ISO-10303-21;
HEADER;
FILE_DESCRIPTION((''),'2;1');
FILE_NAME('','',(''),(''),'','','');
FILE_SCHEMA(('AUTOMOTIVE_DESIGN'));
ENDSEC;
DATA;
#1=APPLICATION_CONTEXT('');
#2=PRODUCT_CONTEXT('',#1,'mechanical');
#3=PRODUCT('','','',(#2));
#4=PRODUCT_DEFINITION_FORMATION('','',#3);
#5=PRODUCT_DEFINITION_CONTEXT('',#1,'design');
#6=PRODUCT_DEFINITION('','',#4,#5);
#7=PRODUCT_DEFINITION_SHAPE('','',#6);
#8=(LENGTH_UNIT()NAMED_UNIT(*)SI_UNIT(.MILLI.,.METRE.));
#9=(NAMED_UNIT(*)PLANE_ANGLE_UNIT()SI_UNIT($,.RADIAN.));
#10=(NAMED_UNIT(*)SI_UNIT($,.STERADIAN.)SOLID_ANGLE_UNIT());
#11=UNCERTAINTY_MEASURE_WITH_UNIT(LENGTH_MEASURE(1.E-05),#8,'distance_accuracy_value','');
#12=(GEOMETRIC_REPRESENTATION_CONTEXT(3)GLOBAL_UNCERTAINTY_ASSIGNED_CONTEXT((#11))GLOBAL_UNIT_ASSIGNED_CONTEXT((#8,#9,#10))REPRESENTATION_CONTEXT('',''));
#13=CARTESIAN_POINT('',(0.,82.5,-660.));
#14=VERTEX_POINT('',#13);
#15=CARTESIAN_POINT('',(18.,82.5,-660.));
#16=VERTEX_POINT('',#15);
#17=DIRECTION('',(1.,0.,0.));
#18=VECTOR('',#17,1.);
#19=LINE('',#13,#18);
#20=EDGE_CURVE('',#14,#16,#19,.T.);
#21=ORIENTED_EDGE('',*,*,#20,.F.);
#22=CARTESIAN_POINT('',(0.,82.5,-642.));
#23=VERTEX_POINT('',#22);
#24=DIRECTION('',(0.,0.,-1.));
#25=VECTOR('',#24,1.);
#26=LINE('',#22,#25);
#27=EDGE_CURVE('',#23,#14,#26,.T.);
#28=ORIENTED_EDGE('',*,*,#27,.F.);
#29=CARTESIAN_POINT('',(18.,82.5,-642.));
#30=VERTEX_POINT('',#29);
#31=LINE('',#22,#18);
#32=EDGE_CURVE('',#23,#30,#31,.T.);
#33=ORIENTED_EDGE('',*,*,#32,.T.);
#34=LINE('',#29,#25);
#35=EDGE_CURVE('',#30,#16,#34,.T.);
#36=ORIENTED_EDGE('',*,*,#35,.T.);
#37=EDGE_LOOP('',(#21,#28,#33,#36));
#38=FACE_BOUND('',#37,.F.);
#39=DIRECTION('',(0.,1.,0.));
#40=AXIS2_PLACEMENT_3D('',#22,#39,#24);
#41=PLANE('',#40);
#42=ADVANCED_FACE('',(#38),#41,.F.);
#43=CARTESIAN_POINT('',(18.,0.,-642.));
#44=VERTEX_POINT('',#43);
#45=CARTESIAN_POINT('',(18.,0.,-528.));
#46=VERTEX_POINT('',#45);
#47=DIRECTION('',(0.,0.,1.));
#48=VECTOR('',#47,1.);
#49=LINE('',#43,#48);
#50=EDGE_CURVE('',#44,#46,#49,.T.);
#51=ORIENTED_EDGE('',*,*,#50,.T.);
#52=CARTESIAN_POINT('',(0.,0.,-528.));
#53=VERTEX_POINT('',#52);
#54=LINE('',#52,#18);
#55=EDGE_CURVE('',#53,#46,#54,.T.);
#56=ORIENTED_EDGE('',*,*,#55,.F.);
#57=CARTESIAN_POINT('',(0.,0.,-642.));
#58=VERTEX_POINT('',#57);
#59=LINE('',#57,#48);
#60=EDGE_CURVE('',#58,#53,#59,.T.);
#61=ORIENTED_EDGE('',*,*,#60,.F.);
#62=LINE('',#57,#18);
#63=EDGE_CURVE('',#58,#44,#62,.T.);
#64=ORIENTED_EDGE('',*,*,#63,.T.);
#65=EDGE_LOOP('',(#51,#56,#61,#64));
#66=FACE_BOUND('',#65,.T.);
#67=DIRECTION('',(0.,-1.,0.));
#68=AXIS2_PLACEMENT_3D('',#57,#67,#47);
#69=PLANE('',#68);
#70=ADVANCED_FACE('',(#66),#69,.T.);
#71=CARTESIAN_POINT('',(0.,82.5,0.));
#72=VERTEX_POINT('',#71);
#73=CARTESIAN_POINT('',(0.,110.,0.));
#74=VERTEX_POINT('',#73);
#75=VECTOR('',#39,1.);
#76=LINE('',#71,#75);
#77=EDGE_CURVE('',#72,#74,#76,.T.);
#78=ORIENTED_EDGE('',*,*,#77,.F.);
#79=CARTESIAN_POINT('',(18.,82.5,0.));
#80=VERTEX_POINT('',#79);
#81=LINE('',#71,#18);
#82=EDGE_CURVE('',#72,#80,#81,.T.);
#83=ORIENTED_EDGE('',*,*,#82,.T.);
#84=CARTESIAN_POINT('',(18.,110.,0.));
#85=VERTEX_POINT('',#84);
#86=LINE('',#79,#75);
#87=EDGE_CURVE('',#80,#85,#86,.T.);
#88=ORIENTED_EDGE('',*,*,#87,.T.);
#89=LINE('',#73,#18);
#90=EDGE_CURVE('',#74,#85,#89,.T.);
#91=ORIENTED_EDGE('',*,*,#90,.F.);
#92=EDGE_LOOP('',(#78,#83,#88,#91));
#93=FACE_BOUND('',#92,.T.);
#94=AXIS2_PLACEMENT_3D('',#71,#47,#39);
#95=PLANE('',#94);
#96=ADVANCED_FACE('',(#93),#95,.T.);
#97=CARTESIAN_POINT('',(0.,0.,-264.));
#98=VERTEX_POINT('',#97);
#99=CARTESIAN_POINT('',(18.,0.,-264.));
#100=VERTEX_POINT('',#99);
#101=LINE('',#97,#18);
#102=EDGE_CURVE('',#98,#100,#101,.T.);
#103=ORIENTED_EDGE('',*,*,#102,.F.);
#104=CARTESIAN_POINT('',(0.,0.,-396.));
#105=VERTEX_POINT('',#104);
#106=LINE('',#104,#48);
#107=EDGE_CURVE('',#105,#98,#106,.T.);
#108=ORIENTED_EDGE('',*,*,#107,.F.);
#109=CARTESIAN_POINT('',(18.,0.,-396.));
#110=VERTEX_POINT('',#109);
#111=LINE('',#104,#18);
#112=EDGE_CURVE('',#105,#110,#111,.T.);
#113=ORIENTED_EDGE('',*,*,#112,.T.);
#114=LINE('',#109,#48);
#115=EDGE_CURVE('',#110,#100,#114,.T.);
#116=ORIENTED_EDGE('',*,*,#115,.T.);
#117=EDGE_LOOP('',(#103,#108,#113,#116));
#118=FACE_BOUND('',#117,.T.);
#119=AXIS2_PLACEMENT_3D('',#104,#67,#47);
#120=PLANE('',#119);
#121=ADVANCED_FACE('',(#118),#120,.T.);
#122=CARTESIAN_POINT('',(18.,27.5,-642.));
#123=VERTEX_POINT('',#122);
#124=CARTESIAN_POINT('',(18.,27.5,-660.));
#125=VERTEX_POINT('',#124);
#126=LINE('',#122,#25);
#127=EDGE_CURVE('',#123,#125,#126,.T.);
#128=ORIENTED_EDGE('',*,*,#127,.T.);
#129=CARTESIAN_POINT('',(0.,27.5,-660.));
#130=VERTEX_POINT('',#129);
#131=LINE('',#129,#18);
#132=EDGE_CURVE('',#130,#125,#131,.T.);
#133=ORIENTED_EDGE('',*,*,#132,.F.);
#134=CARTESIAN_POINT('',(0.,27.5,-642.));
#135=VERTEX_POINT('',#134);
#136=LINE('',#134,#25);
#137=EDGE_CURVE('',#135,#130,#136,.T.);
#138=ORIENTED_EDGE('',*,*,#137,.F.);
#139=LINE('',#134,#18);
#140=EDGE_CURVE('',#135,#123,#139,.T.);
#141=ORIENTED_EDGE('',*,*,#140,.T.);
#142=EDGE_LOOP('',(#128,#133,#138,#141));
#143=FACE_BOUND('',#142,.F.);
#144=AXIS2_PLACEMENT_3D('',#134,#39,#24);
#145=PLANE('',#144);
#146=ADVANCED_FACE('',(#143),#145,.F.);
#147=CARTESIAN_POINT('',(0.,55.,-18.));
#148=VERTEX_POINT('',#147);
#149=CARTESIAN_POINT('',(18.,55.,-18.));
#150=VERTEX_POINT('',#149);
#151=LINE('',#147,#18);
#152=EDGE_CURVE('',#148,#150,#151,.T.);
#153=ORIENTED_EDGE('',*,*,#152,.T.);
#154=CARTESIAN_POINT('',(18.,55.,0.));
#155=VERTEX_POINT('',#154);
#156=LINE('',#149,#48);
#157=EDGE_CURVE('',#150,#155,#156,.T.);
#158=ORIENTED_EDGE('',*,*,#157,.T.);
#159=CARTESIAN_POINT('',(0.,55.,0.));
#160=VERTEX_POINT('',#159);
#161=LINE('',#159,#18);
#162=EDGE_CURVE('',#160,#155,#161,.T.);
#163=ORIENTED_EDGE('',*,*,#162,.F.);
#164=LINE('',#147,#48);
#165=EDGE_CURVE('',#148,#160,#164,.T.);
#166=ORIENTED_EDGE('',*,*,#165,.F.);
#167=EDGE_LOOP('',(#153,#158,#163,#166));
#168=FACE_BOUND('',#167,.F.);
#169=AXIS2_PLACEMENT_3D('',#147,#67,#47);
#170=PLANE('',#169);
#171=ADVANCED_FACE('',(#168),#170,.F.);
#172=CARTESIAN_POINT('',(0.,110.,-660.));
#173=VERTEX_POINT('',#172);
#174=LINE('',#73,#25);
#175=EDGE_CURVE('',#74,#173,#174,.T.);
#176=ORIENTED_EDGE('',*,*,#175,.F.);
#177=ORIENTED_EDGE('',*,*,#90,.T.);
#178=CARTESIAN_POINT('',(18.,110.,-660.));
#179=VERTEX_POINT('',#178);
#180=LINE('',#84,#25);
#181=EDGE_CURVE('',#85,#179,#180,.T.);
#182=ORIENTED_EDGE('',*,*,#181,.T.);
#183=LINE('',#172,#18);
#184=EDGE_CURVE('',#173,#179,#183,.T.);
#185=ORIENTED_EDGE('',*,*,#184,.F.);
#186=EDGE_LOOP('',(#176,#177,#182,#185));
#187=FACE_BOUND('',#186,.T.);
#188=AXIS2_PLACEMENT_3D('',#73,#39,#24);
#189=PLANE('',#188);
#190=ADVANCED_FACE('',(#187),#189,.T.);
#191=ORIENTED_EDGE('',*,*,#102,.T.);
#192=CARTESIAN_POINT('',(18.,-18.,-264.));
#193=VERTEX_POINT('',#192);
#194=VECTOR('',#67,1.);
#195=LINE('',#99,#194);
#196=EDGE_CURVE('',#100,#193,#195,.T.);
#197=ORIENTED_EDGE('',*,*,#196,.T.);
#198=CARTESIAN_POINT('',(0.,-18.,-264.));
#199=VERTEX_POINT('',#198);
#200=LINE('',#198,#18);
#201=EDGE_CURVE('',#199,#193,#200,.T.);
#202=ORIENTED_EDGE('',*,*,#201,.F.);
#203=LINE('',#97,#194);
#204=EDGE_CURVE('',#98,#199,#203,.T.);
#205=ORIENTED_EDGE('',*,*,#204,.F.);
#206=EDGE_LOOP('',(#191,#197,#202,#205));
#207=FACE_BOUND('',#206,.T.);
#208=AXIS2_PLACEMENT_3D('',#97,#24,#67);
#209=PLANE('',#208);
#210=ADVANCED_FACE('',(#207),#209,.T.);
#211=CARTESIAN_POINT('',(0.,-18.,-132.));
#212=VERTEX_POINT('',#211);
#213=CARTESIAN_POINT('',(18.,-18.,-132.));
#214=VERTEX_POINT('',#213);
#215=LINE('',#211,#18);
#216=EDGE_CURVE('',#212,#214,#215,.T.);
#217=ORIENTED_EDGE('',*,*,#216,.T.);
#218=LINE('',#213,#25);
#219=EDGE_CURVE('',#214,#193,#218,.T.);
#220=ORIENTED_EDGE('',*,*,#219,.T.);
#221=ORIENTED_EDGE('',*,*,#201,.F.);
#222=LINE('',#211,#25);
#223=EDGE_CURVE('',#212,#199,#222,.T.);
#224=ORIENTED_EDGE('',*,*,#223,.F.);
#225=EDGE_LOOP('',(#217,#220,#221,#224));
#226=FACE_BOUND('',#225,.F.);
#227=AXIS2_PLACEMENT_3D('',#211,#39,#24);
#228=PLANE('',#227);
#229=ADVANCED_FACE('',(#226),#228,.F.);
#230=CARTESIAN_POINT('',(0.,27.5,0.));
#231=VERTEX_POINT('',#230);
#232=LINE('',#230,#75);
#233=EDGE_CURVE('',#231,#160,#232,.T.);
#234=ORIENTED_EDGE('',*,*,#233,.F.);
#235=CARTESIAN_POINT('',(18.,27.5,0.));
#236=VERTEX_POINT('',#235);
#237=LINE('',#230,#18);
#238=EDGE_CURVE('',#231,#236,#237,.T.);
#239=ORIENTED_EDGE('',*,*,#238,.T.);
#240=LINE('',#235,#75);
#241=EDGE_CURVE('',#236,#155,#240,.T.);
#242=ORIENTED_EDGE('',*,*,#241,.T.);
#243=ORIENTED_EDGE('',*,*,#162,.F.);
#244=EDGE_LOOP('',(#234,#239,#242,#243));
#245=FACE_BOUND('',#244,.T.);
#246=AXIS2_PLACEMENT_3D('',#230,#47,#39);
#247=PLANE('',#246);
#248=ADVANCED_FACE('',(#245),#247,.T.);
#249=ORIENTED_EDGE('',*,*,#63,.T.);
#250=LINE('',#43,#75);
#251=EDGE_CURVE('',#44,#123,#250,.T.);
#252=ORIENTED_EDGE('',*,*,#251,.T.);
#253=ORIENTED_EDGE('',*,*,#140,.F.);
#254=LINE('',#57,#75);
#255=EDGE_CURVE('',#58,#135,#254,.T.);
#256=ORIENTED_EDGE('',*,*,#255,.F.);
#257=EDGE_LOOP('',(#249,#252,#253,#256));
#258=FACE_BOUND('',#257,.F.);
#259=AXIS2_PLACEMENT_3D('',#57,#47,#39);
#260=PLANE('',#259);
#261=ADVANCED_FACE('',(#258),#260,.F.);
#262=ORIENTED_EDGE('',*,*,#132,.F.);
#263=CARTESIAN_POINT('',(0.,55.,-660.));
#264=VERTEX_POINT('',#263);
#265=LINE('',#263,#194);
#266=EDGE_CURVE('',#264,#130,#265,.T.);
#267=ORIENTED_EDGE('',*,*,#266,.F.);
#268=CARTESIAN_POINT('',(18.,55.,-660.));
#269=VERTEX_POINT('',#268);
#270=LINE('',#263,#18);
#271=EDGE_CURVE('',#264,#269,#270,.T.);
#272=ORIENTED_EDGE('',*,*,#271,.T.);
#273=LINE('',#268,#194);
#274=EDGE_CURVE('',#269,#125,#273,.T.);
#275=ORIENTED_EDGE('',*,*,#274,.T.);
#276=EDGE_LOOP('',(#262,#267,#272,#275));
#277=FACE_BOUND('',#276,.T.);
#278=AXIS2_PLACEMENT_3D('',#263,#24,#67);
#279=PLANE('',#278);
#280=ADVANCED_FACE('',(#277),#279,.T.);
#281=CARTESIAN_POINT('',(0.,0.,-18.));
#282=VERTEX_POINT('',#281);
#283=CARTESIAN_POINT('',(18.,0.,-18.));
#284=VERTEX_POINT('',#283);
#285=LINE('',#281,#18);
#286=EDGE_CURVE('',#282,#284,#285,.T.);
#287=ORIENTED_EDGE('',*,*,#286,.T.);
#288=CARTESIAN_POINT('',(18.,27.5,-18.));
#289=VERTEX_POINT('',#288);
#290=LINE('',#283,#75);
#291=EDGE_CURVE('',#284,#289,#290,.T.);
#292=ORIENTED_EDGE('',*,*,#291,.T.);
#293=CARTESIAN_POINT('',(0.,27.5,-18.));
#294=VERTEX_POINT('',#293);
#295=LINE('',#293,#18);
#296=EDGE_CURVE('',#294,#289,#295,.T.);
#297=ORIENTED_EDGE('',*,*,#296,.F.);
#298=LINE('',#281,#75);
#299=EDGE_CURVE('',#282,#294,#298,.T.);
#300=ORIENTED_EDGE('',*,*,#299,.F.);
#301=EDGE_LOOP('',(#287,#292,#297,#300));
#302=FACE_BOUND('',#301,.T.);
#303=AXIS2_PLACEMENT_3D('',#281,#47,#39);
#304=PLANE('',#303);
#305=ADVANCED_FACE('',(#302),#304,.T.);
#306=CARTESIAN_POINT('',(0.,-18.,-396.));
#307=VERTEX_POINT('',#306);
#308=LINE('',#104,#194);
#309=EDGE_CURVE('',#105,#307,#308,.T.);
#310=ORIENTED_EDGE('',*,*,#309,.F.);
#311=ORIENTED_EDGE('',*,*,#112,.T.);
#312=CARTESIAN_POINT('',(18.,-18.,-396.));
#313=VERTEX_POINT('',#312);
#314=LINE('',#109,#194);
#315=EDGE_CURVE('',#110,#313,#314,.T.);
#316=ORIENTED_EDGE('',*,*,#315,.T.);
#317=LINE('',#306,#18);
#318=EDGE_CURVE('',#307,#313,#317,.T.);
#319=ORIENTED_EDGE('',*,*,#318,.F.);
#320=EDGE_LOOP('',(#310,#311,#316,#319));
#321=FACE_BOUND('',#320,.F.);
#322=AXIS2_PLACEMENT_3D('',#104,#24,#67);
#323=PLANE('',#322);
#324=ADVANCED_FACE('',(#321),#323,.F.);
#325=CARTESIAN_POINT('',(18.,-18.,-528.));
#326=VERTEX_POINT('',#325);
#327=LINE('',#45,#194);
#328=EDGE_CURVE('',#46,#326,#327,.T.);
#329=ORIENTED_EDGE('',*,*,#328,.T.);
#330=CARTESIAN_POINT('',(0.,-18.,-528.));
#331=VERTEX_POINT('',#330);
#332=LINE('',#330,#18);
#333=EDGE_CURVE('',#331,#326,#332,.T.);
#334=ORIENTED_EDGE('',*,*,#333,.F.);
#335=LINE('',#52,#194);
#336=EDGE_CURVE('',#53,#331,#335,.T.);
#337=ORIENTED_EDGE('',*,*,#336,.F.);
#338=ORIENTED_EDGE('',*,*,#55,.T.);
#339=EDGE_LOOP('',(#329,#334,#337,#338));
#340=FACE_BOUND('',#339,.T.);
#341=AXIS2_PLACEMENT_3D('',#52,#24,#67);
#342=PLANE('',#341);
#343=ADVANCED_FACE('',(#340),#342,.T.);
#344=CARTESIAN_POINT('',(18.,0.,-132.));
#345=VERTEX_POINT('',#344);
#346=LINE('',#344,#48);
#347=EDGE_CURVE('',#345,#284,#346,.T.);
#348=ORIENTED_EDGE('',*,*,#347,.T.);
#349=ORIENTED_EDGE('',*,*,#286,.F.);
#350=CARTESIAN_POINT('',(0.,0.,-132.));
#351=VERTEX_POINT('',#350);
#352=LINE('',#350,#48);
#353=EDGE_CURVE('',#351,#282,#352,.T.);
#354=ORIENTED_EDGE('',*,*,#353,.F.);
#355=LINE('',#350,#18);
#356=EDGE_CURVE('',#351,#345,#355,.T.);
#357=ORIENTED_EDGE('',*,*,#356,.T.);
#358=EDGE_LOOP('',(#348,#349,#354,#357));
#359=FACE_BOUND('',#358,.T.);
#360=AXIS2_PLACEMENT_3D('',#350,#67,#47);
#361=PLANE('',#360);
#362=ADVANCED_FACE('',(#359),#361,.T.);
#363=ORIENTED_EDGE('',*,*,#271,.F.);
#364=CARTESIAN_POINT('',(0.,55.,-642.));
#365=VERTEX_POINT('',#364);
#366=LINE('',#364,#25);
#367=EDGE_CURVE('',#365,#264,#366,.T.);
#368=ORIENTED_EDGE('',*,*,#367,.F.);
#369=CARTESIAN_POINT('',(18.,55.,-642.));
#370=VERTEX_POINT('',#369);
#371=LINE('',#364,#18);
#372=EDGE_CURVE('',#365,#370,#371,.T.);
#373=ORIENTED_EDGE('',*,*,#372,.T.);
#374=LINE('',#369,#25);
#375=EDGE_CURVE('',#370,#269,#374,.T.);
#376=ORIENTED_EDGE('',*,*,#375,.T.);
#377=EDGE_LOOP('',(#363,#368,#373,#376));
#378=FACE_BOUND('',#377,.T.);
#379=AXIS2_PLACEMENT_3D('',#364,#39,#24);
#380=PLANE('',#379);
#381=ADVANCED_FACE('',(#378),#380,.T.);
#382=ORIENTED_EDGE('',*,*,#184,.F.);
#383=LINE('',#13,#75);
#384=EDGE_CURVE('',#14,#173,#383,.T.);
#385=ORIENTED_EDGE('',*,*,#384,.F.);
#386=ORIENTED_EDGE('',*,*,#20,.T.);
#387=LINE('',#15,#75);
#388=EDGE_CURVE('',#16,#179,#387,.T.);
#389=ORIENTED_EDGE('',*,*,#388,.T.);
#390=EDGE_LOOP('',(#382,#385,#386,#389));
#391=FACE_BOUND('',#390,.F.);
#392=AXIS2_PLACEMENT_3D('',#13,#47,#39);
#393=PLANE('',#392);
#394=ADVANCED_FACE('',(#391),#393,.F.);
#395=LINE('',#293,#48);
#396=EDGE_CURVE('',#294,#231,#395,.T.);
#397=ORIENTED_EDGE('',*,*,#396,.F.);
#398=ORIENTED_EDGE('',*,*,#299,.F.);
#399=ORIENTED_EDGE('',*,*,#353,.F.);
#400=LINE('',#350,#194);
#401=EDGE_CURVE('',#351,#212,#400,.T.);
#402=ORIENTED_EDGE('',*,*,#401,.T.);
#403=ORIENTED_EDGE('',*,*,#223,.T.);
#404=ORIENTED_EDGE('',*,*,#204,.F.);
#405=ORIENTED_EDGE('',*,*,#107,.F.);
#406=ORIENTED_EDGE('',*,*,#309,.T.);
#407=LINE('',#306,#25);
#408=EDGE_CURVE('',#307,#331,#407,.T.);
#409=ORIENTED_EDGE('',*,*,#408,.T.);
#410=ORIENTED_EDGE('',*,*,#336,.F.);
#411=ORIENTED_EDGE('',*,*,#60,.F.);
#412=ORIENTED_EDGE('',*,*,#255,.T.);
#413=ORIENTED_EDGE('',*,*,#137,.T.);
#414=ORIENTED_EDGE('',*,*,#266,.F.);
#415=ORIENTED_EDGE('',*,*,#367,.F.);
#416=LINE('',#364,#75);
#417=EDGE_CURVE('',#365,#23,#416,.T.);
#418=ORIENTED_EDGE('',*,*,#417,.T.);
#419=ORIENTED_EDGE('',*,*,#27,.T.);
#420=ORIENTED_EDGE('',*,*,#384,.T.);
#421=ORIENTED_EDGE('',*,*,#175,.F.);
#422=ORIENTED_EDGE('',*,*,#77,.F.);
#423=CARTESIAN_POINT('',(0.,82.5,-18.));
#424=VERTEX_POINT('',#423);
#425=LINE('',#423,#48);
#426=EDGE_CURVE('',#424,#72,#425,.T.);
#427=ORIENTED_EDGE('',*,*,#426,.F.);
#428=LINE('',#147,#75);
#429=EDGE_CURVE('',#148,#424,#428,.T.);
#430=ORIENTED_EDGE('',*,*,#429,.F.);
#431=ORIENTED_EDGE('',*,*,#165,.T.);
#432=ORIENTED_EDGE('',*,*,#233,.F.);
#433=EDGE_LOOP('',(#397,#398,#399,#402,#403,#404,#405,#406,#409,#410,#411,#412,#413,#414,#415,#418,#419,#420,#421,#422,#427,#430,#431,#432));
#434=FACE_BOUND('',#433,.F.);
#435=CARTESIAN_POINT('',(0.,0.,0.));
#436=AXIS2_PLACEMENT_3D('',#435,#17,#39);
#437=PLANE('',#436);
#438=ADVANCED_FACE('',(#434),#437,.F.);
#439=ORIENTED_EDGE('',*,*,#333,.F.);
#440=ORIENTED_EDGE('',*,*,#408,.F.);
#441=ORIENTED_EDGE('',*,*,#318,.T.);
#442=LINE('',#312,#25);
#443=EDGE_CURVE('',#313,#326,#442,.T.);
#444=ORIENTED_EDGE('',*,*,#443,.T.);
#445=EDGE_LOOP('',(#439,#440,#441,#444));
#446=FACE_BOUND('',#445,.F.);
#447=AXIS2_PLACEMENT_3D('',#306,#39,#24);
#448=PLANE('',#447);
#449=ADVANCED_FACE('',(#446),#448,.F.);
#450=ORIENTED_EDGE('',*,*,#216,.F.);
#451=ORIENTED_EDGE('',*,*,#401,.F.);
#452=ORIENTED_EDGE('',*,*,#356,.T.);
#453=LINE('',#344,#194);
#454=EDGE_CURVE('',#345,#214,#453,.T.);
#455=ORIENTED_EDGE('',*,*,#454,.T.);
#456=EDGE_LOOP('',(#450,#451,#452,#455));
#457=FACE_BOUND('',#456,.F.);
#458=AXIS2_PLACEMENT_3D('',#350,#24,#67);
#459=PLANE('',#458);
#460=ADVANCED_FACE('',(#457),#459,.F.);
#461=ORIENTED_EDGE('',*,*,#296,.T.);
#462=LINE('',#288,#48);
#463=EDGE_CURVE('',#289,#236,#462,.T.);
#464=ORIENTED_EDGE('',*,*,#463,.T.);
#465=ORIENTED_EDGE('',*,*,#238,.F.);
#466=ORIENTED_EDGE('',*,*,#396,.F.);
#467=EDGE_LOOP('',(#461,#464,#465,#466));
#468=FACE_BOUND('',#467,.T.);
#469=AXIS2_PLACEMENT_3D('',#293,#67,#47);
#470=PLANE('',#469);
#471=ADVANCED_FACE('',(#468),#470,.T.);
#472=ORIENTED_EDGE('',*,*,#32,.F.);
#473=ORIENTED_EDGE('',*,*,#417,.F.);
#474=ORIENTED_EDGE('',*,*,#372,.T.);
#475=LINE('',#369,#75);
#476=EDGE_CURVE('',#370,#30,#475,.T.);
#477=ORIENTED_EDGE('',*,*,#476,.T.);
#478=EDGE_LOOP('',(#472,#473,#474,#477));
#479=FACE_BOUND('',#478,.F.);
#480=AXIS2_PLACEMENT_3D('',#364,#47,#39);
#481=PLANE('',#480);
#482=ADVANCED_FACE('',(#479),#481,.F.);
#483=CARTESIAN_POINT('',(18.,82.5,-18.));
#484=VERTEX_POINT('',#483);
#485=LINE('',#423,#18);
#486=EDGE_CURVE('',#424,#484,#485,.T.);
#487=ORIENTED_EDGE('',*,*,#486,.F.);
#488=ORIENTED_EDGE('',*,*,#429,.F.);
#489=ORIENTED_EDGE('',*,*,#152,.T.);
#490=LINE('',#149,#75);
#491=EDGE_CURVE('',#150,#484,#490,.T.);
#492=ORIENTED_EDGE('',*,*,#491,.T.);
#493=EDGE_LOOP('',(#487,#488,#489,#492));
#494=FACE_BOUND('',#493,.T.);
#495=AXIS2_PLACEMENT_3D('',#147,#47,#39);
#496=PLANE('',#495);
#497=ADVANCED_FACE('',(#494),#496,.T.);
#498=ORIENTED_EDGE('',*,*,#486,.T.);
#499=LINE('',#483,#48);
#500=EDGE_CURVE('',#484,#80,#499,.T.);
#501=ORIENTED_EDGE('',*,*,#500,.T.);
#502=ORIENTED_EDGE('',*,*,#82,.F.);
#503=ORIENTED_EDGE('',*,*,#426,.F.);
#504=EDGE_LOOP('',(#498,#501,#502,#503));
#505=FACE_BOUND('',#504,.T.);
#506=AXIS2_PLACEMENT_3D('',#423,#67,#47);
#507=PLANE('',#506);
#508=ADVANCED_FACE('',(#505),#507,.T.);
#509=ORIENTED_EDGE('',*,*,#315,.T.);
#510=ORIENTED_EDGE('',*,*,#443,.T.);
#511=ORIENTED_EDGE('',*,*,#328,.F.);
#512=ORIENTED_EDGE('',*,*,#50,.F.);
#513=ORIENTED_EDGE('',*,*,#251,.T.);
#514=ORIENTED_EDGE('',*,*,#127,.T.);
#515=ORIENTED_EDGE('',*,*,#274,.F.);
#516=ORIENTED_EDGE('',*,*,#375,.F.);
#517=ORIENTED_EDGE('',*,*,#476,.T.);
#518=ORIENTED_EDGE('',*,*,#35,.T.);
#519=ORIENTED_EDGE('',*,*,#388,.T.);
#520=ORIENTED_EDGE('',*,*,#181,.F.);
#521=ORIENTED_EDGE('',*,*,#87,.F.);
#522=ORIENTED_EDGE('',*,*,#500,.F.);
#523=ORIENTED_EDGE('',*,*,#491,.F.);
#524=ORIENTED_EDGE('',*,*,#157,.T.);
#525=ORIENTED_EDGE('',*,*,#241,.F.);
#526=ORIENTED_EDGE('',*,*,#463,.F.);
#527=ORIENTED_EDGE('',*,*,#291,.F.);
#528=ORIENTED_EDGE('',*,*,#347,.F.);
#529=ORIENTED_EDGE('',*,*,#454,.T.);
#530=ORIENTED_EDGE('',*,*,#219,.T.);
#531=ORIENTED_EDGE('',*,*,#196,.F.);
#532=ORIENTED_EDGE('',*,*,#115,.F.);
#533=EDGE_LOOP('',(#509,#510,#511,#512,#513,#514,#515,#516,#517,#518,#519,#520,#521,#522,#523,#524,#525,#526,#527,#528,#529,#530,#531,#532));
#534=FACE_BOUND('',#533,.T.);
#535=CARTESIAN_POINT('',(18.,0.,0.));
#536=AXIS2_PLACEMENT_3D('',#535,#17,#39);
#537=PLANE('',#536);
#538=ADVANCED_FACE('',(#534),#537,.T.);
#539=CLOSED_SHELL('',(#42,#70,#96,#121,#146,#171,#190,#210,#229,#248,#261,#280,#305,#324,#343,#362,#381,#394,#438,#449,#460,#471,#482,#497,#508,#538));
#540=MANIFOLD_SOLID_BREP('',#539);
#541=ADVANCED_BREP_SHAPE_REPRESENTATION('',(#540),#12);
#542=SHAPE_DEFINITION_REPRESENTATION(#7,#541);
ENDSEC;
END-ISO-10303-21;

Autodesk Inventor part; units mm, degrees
ref_plane "YZ Plane" through (0, 0, 0) normal (1, 0, 0) x (0, 1, 0)
ref_plane "XZ Plane" through (0, 0, 0) normal (0, 1, 0) x (-1, 0, 0)
ref_plane "XY Plane" through (0, 0, 0) normal (0, 0, 1) x (1, 0, 0)
sketch "Sketch1" plane through (0, 0, 0) normal (1, 0, 0) x (0, 1, 0)
  line L0 (27.5, 0) -> (55, 0)
  line L1 (110, 0) -> (110, -660)
  line L2 (55, -660) -> (27.5, -660)
  line L3 (0, -132) -> (-18, -132)
  line L4 (0, -264) -> (-18, -264)
  line L5 (0, -396) -> (-18, -396)
  line L6 (0, -528) -> (-18, -528)
  line L7 (-18, -132) -> (-18, -264)
  line L8 (-18, -396) -> (-18, -528)
  line L9 (0, -642) -> (0, -528)
  line L10 (0, -396) -> (0, -264)
  line L11 (0, -132) -> (0, -18)
  line L12 (55, -18) -> (55, 0)
  line L13 (27.5, -18) -> (27.5, 0)
  line L14 (0, -18) -> (27.5, -18)
  line L15 (55, -18) -> (82.5, -18)
  line L16 (55, -642) -> (55, -660)
  line L17 (27.5, -642) -> (27.5, -660)
  line L18 (0, -642) -> (27.5, -642)
  line L19 (55, -642) -> (82.5, -642)
  line L20 (82.5, -18) -> (82.5, 0)
  line L21 (82.5, 0) -> (110, 0)
  line L22 (82.5, -642) -> (82.5, -660)
  line L23 (82.5, -660) -> (110, -660)
  point P0 (0, 0)
  dimension "d3" = 132
  dimension "d4" = 132
  dimension "d5" = 132
  dimension "d6" = 132
  dimension "d8" = 18
  dimension "d9" = 18
  dimension "d10" = 18
  dimension "d17" = 660
  dimension "d22" = 18
  dimension "d35" = 18
  dimension "d36" = 18
  dimension "d37" = 18
  dimension "d38" = 18
  dimension "d39" = 18
  dimension "d41" = 18
  dimension "d46" = 27.5
  dimension "d47" = 27.5
  dimension "d48" = 27.5
  dimension "d49" = 27.5
  dimension "d50" = 27.5
  dimension "d51" = 27.5
  dimension "d52" = 27.5
  dimension "d53" = 27.5
  dimension "d54" = 110
extrude "Extrusion2" add sketch "Sketch1" along normal blind 18
properties part number "cajon front"
